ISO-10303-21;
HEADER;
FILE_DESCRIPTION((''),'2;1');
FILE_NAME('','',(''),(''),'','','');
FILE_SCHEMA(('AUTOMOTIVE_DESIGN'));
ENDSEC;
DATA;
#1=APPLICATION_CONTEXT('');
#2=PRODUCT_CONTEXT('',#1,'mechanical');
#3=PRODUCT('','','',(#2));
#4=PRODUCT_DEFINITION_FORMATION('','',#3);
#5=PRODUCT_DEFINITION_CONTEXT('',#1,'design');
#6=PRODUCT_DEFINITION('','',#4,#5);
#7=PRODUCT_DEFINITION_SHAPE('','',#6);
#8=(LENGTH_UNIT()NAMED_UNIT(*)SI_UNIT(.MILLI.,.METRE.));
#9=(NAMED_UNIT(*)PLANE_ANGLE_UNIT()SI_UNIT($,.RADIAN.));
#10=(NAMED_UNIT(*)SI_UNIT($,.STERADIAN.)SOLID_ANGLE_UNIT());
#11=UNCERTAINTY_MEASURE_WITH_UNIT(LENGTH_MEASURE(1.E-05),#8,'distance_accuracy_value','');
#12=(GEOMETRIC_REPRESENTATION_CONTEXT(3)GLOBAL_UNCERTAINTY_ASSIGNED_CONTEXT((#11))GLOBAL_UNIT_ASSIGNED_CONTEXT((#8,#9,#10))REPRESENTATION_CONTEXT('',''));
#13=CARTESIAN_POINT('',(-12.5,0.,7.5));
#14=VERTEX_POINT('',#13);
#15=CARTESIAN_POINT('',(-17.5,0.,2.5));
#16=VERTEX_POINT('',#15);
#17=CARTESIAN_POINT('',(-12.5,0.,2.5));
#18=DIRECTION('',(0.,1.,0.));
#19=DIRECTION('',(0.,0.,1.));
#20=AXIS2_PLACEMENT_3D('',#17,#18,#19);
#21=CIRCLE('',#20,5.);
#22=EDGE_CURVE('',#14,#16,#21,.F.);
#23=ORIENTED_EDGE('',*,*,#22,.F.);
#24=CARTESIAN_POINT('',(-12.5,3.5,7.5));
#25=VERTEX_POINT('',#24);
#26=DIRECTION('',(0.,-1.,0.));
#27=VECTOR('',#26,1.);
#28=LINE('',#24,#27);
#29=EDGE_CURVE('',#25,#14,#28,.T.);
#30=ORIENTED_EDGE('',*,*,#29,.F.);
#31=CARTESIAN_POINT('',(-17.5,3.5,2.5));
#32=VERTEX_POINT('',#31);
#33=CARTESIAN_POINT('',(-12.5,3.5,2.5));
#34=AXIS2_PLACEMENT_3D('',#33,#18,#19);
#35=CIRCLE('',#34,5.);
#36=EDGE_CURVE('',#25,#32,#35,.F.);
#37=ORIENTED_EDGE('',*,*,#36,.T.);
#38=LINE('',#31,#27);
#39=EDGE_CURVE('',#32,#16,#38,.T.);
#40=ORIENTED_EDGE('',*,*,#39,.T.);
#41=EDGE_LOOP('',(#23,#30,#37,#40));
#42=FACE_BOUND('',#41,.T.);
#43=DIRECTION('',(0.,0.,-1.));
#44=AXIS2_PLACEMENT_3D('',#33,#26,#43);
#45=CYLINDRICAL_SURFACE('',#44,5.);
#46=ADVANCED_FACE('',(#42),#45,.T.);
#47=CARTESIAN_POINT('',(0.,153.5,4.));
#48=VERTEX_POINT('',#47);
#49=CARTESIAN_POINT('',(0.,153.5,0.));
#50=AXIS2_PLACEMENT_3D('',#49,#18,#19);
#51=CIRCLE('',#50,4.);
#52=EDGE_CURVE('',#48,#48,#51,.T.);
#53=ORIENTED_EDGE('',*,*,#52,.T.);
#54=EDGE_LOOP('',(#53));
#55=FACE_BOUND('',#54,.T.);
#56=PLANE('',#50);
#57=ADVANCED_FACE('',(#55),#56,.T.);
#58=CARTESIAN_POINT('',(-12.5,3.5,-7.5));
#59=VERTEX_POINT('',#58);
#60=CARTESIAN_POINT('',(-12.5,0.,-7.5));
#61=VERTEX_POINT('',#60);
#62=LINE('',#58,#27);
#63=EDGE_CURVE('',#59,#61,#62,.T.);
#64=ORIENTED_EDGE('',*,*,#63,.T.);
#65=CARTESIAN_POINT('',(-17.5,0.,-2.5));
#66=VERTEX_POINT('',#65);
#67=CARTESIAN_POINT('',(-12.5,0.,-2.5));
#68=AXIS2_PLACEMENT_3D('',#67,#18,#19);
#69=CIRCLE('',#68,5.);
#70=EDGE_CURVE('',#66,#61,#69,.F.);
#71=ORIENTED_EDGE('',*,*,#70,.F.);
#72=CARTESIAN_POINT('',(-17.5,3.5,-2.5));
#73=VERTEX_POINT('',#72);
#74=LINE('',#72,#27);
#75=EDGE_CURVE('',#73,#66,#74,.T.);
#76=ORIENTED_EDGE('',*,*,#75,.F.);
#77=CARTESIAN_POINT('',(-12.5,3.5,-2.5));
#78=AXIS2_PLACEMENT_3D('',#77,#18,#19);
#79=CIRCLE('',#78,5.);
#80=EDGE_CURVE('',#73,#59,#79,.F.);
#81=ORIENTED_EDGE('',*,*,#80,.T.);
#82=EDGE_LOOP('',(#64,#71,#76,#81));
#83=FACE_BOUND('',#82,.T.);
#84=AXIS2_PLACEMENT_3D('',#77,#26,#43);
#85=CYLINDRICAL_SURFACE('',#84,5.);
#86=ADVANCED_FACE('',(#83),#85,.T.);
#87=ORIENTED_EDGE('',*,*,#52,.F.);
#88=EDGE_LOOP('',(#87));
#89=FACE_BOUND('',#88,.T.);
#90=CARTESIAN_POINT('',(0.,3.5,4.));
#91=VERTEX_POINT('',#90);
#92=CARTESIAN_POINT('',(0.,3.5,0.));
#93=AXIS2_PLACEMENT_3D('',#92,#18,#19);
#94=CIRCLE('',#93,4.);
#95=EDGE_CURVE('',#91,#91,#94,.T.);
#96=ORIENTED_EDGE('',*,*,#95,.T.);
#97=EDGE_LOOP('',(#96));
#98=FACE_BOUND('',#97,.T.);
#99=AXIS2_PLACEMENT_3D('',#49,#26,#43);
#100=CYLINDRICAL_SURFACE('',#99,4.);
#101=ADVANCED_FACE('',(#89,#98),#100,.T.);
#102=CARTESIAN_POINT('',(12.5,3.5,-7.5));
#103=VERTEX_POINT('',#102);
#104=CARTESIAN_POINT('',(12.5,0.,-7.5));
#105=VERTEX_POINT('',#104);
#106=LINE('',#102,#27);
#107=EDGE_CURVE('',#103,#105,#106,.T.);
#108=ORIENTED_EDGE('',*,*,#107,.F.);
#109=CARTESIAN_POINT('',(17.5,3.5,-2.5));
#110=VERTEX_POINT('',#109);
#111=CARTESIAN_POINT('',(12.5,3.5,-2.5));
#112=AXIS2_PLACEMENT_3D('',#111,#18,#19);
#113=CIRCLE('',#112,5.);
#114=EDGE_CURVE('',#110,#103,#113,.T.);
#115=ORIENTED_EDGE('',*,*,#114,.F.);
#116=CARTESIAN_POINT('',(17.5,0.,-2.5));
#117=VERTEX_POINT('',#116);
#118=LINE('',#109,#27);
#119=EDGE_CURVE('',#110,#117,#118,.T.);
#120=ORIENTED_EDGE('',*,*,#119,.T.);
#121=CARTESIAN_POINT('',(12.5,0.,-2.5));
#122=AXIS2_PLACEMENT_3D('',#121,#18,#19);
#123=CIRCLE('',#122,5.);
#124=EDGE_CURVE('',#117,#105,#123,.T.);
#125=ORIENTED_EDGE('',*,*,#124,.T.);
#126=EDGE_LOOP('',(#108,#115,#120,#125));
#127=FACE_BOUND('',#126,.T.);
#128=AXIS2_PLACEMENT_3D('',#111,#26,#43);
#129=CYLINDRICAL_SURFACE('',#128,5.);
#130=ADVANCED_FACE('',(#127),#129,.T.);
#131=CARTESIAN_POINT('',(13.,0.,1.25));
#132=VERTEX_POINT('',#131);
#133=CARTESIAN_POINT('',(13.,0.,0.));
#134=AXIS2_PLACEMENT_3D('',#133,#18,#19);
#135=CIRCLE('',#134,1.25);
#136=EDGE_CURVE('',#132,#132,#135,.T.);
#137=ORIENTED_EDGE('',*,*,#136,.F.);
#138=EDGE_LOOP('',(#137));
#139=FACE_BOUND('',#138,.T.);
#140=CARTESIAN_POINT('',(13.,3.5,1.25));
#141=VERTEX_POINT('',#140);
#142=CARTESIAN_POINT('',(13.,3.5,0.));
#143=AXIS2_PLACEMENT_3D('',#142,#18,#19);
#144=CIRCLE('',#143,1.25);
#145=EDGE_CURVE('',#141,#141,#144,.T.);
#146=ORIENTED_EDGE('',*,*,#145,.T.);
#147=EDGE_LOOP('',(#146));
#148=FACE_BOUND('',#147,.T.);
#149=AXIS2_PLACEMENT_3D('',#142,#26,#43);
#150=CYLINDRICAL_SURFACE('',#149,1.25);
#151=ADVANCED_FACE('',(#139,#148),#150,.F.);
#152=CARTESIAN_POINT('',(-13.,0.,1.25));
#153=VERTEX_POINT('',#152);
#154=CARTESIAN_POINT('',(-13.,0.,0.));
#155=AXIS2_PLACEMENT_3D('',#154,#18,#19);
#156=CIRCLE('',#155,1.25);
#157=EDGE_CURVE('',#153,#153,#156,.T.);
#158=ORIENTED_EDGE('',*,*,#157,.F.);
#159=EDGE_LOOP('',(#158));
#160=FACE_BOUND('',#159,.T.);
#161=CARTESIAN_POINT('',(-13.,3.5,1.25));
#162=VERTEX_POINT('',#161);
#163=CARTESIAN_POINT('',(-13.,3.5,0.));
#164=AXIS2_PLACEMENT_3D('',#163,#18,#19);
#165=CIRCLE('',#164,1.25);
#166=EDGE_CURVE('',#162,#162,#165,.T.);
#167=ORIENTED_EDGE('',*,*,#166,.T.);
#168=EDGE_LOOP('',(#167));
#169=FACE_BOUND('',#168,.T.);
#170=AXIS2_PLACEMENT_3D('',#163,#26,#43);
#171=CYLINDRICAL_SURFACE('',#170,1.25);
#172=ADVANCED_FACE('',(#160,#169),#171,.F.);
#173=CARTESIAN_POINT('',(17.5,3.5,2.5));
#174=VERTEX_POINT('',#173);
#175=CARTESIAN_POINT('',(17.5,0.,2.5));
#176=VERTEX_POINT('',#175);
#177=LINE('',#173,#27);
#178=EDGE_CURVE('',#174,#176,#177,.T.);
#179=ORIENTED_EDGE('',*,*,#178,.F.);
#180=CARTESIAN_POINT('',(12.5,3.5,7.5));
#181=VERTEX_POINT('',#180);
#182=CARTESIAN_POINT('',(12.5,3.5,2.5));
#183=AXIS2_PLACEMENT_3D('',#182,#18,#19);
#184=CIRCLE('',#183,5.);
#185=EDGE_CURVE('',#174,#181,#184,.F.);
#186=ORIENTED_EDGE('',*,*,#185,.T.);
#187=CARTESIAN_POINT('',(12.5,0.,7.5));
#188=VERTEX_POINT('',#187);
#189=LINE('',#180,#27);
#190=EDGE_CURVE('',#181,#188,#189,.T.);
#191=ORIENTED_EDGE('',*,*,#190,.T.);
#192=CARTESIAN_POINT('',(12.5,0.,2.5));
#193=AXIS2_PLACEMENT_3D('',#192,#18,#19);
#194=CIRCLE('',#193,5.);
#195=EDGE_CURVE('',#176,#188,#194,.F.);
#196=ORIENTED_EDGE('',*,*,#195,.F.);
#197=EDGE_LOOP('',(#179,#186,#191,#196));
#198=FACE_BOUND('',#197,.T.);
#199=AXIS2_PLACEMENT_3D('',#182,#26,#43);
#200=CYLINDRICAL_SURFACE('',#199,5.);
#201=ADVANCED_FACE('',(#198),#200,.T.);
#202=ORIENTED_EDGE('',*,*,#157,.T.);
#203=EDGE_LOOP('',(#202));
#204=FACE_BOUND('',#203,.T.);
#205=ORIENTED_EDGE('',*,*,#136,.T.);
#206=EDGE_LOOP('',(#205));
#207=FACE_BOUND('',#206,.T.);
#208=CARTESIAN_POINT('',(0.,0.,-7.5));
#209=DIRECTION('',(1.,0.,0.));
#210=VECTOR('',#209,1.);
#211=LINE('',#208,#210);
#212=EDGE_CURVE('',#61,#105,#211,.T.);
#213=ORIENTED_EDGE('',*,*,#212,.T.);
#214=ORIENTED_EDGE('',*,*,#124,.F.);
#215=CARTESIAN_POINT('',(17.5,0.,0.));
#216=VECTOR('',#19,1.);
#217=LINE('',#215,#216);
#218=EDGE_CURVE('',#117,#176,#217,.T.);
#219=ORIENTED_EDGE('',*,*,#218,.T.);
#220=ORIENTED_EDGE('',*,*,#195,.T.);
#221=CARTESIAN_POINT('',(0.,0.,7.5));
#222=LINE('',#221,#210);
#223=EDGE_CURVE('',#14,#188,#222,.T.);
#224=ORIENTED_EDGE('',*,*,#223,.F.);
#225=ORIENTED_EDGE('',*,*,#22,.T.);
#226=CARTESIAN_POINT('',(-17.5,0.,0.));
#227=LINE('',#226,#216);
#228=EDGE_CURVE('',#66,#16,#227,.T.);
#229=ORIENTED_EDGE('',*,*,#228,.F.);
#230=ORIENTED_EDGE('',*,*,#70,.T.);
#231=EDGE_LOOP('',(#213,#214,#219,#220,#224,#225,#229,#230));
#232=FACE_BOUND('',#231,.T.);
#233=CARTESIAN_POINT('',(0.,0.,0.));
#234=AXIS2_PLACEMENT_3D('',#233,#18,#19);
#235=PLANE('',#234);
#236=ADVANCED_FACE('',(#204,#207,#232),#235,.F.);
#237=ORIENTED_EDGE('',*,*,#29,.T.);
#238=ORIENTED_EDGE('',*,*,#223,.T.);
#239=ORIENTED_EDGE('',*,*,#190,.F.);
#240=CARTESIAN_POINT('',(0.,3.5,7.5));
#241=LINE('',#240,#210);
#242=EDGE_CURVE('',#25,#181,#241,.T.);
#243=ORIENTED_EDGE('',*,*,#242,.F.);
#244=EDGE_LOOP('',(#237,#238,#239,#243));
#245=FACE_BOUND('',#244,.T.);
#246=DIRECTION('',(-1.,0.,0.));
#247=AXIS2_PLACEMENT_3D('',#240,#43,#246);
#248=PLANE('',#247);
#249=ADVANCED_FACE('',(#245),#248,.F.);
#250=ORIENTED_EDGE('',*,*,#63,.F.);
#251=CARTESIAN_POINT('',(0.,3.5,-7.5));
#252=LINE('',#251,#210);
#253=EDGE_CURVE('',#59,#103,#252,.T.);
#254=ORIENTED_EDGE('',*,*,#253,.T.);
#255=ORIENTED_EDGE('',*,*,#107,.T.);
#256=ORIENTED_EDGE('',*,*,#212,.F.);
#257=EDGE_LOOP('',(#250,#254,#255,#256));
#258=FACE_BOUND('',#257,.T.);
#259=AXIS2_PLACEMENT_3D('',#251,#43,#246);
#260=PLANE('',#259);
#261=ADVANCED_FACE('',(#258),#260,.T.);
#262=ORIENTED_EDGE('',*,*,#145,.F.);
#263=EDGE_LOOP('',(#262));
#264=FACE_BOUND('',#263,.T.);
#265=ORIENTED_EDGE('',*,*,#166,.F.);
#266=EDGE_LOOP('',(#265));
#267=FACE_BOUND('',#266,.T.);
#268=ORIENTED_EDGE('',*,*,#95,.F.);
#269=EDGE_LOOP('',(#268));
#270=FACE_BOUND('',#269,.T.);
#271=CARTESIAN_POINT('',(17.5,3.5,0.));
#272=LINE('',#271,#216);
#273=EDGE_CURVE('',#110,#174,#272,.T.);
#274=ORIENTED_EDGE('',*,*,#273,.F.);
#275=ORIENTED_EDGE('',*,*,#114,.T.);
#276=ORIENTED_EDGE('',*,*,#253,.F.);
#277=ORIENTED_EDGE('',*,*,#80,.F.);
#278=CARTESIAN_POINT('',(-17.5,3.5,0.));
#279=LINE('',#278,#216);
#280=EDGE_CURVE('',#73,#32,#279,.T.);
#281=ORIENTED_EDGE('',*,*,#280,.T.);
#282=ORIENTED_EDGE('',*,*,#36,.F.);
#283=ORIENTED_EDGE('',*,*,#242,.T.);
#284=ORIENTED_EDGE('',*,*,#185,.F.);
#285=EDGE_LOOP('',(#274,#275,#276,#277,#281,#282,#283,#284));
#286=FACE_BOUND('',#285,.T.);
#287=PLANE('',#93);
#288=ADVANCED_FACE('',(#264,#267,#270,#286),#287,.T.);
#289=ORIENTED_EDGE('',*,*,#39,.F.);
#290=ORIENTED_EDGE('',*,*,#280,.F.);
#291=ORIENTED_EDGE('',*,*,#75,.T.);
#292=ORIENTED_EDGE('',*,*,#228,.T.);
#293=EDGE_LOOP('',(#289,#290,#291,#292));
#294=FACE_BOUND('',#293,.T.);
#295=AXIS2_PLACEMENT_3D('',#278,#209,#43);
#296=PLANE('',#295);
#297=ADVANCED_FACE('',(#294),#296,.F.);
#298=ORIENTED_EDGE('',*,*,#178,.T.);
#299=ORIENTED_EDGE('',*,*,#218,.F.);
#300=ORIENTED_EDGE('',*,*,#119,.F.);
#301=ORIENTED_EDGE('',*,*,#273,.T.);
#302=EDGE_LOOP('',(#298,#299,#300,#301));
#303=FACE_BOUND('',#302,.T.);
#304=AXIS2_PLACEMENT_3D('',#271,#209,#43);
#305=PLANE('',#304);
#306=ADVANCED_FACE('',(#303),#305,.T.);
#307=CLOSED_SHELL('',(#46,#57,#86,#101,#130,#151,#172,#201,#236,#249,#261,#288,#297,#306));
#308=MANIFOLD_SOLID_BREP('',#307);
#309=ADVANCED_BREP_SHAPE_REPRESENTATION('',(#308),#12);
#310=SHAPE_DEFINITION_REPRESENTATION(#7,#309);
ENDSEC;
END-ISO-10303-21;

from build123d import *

# Parameters (mm, degrees)
CROQUIS1_R              = 4
CROQUIS1_R_2            = 1.25
SALIENTE_EXTRUIR1_DEPTH = 3.5
CROQUIS2_R              = 4
SALIENTE_EXTRUIR2_DEPTH = 150


with BuildPart() as part:
    # Croquis1 → Saliente-Extruir1 (new body)
    # profile 1 of 2: a face of its own
    with BuildSketch(Plane(origin=(0, 0, 0), x_dir=(1, 0, 0), z_dir=(0, 1, 0))):
        with BuildLine():
            Line((17.5, 2.5), (17.5, -2.5))
            ThreePointArc((17.5, -2.5), (16.035533906, -6.035533906), (12.5, -7.5))
            Line((12.5, -7.5), (-12.5, -7.5))
            ThreePointArc((-12.5, -7.5), (-16.035533906, -6.035533906), (-17.5, -2.5))
            Line((-17.5, -2.5), (-17.5, 2.5))
            ThreePointArc((-17.5, 2.5), (-16.035533906, 6.035533906), (-12.5, 7.5))
            Line((-12.5, 7.5), (12.5, 7.5))
            ThreePointArc((12.5, 7.5), (16.035533906, 6.035533906), (17.5, 2.5))
        make_face()
        Circle(CROQUIS1_R, mode=Mode.SUBTRACT)
        with Locations(Location((-13, 0, 0), (0, 0, 270))):
            Circle(CROQUIS1_R_2, mode=Mode.SUBTRACT)
        with Locations(Location((13, 0, 0), (0, 0, 270))):
            Circle(CROQUIS1_R_2, mode=Mode.SUBTRACT)
    # profile 2 of 2: a face of its own
    with BuildSketch(Plane(origin=(0, 0, 0), x_dir=(1, 0, 0), z_dir=(0, 1, 0))):
        Circle(CROQUIS1_R)
    extrude(amount=SALIENTE_EXTRUIR1_DEPTH)

    # Croquis2 → Saliente-Extruir2 (add)
    with BuildSketch(Plane(origin=(0, 3.5, 0), x_dir=(1, 0, 0), z_dir=(0, 1, 0))):
        with Locations(Location((0, 0, 0), (0, 0, 270))):
            Circle(CROQUIS2_R)
    extrude(amount=SALIENTE_EXTRUIR2_DEPTH)


solid = part.part
